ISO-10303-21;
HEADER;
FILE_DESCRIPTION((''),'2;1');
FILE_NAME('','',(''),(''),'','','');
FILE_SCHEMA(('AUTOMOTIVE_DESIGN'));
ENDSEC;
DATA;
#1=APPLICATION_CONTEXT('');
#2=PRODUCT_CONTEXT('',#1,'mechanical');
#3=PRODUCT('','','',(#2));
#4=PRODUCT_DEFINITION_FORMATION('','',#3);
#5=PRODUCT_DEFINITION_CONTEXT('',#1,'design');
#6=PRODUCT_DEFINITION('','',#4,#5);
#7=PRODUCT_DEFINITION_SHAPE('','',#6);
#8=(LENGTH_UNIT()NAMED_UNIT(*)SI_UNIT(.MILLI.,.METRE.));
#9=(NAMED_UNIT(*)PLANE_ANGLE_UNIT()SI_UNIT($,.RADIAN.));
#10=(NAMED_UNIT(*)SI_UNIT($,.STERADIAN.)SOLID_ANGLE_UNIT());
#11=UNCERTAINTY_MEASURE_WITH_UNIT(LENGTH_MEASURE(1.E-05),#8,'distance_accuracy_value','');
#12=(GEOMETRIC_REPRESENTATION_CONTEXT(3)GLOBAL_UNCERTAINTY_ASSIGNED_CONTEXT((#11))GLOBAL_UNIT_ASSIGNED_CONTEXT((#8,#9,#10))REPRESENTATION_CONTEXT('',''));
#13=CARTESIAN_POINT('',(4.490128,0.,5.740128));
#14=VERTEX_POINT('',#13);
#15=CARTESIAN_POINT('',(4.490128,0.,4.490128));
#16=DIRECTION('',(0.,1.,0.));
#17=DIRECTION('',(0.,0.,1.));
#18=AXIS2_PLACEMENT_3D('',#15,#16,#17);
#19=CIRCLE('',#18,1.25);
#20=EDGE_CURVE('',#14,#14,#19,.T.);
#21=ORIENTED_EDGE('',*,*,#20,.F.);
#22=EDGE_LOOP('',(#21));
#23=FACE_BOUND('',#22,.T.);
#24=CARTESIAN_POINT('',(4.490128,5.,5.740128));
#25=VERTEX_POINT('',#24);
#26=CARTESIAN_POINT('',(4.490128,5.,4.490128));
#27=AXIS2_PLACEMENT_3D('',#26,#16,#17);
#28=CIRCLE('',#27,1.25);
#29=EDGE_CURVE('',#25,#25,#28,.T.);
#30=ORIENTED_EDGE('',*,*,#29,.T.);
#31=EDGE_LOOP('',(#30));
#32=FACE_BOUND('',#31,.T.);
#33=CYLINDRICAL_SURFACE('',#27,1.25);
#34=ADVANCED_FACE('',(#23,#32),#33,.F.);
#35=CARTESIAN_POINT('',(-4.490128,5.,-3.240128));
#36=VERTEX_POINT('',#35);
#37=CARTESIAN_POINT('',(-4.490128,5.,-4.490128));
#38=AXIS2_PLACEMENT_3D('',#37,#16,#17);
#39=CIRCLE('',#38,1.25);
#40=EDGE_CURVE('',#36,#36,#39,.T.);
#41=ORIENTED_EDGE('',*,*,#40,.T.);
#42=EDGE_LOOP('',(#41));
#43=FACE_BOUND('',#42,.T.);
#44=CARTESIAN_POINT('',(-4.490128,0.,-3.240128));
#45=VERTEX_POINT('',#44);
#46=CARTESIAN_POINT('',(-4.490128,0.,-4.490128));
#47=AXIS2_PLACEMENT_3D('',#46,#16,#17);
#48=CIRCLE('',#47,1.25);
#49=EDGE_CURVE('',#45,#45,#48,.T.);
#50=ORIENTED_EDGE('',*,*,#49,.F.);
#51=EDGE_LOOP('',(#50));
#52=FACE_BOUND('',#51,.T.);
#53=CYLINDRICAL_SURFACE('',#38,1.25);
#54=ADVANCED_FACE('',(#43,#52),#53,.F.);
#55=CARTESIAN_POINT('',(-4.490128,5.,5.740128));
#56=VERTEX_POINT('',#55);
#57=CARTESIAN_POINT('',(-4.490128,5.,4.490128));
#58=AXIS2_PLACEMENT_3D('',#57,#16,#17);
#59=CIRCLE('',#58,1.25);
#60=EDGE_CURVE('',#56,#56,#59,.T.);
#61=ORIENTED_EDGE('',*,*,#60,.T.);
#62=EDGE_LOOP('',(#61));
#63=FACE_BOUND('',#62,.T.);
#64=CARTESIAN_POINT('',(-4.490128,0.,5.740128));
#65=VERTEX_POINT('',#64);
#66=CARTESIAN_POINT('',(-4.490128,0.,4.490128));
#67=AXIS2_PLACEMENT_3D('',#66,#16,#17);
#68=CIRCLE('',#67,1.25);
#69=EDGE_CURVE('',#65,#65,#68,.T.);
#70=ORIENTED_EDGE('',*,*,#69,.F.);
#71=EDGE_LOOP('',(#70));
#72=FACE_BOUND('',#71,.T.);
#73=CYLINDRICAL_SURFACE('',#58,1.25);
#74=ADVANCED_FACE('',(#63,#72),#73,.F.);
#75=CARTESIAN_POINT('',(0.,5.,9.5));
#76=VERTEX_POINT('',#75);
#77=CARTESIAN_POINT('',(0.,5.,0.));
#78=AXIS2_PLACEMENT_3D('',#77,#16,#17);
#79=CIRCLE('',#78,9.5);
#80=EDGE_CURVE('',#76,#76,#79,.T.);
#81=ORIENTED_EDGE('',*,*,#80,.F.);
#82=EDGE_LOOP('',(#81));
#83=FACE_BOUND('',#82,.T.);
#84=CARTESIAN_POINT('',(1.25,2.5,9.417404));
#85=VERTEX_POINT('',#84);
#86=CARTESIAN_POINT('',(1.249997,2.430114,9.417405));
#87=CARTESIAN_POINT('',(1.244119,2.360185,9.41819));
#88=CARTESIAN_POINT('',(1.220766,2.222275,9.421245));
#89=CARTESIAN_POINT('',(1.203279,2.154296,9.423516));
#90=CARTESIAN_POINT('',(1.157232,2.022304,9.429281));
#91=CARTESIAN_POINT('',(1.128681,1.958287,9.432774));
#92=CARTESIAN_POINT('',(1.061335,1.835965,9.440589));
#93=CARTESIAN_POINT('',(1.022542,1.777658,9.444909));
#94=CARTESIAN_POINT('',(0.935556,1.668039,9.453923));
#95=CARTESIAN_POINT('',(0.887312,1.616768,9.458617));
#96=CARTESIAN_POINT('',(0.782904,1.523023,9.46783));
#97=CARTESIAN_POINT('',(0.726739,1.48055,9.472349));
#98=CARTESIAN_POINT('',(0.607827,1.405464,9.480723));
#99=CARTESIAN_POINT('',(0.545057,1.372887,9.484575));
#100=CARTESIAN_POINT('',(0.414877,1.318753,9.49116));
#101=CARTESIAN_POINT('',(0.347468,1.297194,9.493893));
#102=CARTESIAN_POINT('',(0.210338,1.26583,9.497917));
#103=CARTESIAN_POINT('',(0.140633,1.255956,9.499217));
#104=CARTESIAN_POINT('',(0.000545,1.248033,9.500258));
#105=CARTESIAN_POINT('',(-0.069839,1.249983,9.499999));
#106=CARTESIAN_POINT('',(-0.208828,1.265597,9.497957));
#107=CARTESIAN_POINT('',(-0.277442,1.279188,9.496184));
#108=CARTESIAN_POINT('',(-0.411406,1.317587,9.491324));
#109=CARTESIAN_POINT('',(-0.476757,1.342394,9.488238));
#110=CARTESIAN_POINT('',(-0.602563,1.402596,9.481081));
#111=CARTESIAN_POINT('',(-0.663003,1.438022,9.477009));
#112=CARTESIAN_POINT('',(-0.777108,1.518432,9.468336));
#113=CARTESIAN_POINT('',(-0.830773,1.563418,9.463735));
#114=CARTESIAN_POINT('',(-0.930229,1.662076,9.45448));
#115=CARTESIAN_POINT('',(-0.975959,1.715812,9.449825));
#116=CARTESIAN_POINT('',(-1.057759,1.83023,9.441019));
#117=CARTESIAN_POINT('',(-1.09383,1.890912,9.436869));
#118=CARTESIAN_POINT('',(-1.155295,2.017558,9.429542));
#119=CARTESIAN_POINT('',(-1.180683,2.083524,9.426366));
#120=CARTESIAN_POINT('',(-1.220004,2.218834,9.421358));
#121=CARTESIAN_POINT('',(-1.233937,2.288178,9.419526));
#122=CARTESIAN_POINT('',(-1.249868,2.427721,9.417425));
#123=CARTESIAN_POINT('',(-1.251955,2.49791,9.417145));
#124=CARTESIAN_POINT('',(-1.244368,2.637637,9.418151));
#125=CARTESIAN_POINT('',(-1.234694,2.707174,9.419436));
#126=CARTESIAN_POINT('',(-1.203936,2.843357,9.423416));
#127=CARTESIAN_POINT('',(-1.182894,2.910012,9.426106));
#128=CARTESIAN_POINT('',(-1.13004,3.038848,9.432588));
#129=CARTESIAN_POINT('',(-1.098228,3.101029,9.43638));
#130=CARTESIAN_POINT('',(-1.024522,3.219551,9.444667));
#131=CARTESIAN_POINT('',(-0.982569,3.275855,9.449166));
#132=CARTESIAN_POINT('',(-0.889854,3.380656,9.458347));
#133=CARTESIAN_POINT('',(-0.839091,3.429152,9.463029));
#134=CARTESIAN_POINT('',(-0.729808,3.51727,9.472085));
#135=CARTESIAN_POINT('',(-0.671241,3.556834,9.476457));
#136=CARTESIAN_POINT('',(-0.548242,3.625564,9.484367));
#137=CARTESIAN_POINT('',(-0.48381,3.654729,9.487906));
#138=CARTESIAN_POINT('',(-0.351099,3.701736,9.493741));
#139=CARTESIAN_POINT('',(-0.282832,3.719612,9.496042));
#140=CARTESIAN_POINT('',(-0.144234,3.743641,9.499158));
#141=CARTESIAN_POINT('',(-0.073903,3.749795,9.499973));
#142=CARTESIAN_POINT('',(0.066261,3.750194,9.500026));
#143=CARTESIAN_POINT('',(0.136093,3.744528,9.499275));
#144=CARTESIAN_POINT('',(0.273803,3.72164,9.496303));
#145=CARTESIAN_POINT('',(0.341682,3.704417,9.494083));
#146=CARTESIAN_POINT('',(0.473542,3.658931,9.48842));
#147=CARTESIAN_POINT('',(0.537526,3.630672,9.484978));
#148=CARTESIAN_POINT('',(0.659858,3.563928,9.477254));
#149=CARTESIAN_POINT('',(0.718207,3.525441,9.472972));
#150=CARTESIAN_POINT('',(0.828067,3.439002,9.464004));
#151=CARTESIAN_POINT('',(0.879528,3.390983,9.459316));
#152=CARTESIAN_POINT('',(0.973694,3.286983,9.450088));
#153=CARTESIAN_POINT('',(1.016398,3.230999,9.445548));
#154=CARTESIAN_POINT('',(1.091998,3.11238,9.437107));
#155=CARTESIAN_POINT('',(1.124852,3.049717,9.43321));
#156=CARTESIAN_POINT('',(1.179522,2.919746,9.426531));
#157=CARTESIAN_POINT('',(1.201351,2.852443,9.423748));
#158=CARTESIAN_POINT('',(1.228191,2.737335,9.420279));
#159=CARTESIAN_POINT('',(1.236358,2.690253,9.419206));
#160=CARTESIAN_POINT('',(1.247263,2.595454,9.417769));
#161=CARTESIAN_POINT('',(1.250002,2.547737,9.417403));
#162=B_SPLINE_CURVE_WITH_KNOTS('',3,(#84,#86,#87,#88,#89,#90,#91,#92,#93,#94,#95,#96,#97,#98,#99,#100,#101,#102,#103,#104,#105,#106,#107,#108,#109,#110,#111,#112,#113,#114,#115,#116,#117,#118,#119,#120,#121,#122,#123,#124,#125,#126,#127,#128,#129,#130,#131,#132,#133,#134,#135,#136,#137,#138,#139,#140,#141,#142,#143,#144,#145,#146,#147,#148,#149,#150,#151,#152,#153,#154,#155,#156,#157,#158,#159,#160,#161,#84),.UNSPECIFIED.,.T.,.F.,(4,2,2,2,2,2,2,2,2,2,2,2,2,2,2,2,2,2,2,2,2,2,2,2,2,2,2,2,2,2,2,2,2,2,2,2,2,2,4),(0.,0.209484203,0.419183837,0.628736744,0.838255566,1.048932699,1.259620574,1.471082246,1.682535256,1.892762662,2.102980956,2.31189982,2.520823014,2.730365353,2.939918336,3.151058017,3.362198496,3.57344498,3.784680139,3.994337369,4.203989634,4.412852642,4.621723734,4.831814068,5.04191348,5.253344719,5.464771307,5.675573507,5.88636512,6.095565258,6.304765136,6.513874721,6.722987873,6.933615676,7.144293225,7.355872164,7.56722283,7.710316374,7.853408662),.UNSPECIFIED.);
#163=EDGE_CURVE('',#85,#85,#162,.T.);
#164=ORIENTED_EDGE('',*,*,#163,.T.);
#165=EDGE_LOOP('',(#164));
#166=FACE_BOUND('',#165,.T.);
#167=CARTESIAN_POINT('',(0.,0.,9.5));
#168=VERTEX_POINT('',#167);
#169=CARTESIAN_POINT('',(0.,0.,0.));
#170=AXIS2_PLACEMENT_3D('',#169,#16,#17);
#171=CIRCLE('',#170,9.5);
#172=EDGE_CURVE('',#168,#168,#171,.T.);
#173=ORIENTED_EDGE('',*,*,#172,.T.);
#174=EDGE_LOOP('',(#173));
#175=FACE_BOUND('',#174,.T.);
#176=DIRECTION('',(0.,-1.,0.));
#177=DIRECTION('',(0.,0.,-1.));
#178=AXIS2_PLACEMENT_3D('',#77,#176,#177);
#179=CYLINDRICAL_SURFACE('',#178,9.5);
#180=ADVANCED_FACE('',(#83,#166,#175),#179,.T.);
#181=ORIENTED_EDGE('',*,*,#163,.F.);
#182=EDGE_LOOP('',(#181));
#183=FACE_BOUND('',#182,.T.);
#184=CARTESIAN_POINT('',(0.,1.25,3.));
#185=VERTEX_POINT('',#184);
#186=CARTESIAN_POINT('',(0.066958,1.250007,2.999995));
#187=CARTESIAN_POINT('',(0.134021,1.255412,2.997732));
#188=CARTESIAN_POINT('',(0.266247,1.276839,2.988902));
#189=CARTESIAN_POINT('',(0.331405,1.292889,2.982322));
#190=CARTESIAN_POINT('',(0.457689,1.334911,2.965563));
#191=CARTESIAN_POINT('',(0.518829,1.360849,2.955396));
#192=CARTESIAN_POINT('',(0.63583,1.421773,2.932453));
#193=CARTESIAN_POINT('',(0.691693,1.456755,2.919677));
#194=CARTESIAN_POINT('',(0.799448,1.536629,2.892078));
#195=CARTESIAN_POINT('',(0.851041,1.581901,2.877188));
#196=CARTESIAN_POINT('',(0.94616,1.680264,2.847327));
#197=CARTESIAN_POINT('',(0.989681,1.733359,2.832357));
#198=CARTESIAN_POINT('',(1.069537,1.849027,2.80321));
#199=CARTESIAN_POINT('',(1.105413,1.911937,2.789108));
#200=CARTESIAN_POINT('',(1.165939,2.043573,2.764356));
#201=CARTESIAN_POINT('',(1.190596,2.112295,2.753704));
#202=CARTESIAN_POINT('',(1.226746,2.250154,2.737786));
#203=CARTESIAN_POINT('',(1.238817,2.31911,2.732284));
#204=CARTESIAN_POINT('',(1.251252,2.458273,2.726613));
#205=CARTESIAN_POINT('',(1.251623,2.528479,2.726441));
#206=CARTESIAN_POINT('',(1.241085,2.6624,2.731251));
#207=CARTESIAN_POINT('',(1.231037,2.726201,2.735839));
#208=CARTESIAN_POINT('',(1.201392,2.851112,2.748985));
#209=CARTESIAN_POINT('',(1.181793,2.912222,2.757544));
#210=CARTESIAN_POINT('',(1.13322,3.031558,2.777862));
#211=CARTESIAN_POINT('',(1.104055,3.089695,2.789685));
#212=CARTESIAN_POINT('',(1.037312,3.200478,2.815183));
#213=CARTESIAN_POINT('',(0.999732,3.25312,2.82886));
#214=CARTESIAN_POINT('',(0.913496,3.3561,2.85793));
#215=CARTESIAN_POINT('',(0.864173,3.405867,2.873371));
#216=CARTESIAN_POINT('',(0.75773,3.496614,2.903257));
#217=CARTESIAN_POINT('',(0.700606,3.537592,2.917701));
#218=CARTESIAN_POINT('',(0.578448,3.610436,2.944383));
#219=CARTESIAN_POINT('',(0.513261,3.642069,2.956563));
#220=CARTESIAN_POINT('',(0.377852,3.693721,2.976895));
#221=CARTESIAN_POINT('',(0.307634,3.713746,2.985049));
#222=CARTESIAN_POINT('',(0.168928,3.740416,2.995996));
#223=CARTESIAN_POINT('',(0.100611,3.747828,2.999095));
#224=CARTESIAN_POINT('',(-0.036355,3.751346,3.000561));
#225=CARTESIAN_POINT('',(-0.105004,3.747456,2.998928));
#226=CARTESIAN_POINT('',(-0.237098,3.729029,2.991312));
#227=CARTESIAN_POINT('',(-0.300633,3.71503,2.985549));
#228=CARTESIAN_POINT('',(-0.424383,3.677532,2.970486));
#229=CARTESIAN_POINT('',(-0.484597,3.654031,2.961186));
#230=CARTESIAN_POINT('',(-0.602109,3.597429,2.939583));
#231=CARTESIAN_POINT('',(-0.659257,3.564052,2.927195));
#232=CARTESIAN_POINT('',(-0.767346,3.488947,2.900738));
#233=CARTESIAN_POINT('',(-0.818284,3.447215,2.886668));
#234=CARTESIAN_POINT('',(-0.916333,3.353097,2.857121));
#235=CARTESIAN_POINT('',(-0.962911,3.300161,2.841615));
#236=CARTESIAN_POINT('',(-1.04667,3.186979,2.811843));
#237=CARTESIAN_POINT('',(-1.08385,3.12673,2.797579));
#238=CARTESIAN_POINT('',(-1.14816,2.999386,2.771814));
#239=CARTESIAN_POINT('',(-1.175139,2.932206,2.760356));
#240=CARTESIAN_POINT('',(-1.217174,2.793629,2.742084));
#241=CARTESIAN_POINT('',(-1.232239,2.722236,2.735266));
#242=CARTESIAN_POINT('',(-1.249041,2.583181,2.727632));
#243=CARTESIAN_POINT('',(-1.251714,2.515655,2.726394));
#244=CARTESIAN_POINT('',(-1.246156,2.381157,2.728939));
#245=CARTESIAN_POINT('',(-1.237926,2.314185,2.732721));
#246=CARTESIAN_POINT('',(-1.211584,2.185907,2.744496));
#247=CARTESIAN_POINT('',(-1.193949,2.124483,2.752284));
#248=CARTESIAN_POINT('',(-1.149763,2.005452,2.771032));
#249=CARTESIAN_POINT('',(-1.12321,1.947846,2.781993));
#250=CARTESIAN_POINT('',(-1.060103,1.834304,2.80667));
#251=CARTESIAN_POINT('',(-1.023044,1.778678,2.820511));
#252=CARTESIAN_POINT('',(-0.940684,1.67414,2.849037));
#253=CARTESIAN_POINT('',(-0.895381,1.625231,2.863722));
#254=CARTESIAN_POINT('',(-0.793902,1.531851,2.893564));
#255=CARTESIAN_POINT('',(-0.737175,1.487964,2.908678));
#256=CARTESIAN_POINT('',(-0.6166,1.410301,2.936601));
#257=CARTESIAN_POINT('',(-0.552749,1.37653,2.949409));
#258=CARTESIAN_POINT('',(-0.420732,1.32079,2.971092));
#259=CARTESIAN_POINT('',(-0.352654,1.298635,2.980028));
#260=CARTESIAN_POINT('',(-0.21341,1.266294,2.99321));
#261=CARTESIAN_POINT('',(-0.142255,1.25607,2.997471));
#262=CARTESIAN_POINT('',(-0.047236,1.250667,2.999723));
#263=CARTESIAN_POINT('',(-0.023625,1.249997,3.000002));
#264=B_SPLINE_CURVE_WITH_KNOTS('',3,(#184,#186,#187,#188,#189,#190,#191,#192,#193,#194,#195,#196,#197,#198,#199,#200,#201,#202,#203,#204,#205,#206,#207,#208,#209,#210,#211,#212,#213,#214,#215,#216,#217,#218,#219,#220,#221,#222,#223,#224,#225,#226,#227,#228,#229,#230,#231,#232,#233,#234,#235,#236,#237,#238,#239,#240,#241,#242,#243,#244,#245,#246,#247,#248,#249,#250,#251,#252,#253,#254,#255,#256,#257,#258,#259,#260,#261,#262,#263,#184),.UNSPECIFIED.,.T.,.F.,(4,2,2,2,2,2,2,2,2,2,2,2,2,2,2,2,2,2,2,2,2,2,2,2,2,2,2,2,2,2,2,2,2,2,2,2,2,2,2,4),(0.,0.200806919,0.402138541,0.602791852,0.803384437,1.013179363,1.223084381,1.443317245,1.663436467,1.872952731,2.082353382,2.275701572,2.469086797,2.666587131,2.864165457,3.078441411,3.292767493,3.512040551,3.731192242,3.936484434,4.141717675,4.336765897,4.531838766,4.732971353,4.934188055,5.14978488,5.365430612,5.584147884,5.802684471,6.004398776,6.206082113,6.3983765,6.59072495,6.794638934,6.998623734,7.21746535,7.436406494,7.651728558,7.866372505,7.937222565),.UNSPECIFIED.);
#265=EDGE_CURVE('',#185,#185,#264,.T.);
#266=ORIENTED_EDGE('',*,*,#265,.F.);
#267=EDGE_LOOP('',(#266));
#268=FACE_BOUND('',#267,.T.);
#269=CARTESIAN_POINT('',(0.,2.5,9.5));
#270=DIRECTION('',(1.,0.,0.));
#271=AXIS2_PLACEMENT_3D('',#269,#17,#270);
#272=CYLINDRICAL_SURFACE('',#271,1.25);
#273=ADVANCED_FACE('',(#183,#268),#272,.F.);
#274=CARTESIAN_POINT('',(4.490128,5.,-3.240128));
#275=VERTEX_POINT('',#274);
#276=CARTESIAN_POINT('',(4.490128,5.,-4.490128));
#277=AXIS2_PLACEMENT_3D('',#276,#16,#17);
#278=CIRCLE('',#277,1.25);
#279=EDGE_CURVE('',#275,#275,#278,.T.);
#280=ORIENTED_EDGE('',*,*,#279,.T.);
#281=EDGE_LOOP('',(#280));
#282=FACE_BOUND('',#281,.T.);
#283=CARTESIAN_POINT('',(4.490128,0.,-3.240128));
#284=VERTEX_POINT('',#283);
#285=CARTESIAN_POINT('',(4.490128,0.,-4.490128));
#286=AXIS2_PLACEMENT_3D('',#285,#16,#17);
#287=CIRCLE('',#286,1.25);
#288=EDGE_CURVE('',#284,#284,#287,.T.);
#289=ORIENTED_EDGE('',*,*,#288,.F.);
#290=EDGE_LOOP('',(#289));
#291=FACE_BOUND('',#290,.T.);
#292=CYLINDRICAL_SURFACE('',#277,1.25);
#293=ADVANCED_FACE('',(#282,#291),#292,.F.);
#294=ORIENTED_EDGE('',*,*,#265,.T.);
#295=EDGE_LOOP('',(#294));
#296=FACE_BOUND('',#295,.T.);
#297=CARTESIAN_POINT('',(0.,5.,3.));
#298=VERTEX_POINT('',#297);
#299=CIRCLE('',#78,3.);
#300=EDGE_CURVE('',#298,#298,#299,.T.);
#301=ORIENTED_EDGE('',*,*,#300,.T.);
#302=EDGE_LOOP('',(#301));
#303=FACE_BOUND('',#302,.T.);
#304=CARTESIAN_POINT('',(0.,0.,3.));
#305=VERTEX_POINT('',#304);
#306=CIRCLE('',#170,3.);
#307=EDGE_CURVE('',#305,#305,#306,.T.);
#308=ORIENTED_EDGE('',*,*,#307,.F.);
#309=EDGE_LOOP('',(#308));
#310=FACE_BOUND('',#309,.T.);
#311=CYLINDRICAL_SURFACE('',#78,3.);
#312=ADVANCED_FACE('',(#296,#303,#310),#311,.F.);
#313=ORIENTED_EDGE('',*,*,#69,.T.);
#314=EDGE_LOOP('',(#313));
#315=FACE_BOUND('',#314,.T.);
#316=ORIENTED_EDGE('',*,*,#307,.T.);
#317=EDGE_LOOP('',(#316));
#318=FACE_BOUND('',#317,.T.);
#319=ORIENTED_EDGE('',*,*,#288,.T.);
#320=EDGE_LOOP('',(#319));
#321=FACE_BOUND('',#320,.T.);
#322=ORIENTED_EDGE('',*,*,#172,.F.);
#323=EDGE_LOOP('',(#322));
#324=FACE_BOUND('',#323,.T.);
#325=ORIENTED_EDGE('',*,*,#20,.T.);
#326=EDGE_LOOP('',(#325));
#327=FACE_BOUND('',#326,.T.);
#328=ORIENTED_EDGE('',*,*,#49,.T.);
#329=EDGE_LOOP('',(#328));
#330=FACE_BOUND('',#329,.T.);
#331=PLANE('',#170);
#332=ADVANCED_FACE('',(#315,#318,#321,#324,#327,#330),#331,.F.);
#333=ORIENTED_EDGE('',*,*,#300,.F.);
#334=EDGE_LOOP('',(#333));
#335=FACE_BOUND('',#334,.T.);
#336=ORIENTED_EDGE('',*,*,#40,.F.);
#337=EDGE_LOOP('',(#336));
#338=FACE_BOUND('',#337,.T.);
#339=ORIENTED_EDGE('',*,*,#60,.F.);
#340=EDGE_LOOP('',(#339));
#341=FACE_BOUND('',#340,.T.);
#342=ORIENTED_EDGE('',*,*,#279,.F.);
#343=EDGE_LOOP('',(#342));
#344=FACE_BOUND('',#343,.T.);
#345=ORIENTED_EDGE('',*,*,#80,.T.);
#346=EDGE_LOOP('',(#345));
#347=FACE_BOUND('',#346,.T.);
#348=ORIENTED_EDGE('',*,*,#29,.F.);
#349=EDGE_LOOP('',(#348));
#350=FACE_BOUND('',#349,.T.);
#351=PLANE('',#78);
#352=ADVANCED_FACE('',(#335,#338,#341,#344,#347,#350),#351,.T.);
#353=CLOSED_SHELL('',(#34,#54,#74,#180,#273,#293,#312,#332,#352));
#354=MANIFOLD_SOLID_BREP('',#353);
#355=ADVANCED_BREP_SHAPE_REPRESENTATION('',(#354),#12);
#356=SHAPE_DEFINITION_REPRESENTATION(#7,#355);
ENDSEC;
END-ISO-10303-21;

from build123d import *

# Parameters (mm, degrees)
SKETCH1_R                 = 9.5
BOSS_EXTRUDE1_DEPTH       = 5
F_6_0MM_DOWEL_HOLE1_D     = 6
M3X0_5_TAPPED_HOLE1_D     = 2.5
M3X0_5_TAPPED_HOLE2_D     = 2.5
M3X0_5_TAPPED_HOLE2_DEPTH = 10
M3X0_5_TAPPED_HOLE2_TIP   = 0.751075774


with BuildPart() as part:
    # Sketch1 → Boss-Extrude1 (new body)
    with BuildSketch(Plane(origin=(0, 0, 0), x_dir=(1, 0, 0), z_dir=(0, 1, 0))):
        with Locations(Location((0, 0, 0), (0, 0, 270))):
            Circle(SKETCH1_R)
    extrude(amount=BOSS_EXTRUDE1_DEPTH)

    # Ø6.0mm Dowel Hole1 (through all)
    with Locations(Plane(origin=(0, 5, 0), x_dir=(1, 0, 0), z_dir=(0, 1, 0))):
        with Locations((0, 0)):
            Hole(F_6_0MM_DOWEL_HOLE1_D / 2)

    # M3x0.5 Tapped Hole1 (through all)
    with Locations(Plane(origin=(0, 5, 0), x_dir=(1, 0, 0), z_dir=(0, 1, 0))):
        with Locations((4.490128061, 4.490128061), (-4.490128061, 4.490128061), (-4.490128061, -4.490128061), (4.490128061, -4.490128061)):
            Hole(M3X0_5_TAPPED_HOLE1_D / 2)

    # M3x0.5 Tapped Hole2
    with Locations(Plane(origin=(0, 2.5, 9.5), x_dir=(1, 0, 0), z_dir=(0, 0, 1))):
        with Locations((0, 0)):
            Hole(M3X0_5_TAPPED_HOLE2_D / 2, depth=M3X0_5_TAPPED_HOLE2_DEPTH)
            with Locations((0, 0, -(M3X0_5_TAPPED_HOLE2_DEPTH + M3X0_5_TAPPED_HOLE2_TIP / 2))):  # 118° drill point
                Cone(0, M3X0_5_TAPPED_HOLE2_D / 2, M3X0_5_TAPPED_HOLE2_TIP, mode=Mode.SUBTRACT)


solid = part.part
